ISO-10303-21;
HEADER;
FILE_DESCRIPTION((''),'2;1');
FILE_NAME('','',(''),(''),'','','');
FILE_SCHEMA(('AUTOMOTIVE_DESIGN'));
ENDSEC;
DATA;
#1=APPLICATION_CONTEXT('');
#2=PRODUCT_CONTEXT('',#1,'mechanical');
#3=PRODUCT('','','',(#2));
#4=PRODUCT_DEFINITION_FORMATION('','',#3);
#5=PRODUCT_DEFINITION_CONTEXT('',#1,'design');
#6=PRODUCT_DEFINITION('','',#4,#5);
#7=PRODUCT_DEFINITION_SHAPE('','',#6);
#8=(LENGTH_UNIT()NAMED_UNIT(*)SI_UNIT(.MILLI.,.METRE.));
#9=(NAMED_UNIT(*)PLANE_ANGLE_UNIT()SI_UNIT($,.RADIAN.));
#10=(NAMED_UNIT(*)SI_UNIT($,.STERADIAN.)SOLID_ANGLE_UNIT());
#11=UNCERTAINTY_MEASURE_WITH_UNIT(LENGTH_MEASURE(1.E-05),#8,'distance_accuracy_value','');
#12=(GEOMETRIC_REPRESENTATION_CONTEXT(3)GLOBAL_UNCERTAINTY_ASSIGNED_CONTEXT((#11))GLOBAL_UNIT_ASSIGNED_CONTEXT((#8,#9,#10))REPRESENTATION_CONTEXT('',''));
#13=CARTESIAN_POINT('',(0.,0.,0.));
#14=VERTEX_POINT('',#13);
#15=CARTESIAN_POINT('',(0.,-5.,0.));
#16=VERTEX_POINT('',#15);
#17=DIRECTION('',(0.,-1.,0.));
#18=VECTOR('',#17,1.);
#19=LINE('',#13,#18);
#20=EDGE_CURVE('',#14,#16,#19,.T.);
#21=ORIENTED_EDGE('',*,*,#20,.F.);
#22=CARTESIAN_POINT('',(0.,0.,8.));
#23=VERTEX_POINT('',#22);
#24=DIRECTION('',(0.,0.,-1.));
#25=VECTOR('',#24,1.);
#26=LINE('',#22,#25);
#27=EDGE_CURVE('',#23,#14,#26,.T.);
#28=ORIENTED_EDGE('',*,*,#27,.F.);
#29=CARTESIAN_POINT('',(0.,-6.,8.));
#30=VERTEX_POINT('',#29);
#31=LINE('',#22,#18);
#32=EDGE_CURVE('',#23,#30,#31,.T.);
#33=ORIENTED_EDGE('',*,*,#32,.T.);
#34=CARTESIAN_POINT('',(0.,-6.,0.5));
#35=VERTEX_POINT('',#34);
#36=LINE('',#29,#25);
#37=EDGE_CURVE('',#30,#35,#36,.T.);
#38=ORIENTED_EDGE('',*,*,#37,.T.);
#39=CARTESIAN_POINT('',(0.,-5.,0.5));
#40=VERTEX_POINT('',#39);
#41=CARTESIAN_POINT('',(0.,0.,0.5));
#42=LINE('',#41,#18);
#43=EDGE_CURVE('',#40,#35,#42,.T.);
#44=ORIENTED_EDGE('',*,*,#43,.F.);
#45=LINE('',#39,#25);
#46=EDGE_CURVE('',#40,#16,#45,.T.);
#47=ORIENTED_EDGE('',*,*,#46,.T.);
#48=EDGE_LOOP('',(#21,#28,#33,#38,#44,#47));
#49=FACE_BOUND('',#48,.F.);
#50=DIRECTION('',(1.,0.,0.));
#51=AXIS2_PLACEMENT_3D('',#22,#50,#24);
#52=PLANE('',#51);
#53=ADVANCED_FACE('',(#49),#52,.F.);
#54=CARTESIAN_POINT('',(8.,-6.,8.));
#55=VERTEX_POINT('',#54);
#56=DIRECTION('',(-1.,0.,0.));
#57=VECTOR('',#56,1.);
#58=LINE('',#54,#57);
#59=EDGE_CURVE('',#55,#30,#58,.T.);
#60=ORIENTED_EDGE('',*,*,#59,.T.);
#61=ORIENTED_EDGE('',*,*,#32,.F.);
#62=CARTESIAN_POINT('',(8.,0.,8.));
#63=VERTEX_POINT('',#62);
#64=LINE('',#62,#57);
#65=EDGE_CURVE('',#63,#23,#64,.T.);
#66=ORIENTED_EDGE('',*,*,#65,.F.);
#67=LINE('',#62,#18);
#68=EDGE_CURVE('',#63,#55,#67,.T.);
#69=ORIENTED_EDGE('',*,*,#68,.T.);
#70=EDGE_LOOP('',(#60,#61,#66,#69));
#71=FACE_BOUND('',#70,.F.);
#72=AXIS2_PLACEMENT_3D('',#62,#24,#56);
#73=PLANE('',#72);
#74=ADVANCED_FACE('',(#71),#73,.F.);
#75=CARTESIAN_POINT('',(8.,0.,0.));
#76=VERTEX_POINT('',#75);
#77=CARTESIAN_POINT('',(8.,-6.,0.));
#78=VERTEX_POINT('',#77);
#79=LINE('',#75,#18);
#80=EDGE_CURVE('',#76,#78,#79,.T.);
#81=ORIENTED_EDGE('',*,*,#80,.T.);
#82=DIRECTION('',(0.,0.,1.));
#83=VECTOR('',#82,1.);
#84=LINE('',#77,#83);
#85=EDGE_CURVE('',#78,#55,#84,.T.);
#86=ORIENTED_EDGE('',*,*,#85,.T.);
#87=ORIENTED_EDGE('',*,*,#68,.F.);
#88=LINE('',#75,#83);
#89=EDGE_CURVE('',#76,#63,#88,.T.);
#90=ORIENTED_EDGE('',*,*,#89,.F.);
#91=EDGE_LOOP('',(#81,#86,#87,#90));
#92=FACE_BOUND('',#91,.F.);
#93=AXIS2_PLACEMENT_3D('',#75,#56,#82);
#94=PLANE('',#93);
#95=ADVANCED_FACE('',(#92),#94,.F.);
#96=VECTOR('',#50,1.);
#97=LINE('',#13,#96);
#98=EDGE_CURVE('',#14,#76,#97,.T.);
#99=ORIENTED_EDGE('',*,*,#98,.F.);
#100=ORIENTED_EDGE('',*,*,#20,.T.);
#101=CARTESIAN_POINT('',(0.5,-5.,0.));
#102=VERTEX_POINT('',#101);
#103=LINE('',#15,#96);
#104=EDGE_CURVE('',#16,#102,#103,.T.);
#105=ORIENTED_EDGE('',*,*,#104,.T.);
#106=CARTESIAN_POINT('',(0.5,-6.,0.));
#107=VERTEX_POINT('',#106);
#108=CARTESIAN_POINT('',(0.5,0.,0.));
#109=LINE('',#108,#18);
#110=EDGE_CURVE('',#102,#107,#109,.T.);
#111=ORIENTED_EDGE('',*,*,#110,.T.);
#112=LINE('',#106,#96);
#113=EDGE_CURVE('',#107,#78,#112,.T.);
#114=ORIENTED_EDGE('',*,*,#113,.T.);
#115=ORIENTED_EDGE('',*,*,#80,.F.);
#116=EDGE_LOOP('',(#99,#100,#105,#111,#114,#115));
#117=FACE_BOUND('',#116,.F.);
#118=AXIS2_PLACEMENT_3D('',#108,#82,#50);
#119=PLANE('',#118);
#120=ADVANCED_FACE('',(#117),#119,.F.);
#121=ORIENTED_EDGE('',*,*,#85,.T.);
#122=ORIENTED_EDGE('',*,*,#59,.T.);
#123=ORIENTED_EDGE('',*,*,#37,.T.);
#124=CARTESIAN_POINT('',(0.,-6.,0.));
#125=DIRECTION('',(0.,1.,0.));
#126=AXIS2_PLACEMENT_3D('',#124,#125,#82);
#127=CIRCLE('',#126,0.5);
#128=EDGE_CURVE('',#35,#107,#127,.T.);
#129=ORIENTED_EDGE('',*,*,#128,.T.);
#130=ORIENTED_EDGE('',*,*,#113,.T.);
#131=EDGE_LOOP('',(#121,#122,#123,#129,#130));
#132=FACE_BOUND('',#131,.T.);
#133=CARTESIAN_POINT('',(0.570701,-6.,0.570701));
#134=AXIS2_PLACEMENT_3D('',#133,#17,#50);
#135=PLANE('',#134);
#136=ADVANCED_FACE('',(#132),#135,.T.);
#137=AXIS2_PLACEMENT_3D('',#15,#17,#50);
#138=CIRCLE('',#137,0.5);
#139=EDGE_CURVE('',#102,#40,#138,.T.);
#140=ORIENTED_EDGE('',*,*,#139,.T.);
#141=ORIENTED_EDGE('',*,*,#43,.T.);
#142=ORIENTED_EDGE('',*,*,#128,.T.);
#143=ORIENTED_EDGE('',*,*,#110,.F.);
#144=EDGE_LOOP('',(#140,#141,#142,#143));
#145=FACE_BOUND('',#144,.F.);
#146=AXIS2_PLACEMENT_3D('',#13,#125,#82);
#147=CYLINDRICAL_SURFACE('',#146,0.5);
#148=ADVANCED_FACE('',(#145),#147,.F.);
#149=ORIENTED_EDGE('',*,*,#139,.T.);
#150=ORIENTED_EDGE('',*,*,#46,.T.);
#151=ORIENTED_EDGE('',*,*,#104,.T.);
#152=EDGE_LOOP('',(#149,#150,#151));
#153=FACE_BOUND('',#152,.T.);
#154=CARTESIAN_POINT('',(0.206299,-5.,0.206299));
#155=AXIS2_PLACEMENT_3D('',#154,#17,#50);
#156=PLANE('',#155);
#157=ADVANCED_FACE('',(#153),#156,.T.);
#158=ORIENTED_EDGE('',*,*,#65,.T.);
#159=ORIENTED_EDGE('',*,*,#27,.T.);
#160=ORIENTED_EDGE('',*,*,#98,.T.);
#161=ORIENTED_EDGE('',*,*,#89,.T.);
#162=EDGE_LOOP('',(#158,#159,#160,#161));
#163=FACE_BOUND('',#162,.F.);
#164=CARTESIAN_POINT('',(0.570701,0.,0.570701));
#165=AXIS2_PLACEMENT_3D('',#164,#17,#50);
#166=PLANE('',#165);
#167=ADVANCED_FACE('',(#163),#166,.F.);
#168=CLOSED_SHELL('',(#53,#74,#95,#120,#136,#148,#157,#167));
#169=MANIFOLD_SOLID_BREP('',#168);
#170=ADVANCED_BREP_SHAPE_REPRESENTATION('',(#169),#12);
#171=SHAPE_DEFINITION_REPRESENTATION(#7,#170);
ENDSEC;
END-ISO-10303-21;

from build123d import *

# Parameters (mm, degrees)
F3_DEPTH = 5
F4_DEPTH = 6


with BuildPart() as f3:
    # F2 (on Front) → F3 (new body)
    with BuildSketch(Plane.XZ):
        with BuildLine():
            Line((0, 0.5), (0, 0))
            Line((0, 0), (0.5, 0))
            ThreePointArc((0.5, 0), (0.3535533906, 0.3535533906), (0, 0.5))
        make_face()
    extrude(amount=F3_DEPTH)

    # F2 (on Front) → F4 (join)
    with BuildSketch(Plane.XZ):
        with BuildLine():
            ThreePointArc((0, 0.5), (0.3535533906, 0.3535533906), (0.5, 0))
            Line((0.5, 0), (1.25, 0))
            ThreePointArc((1.25, 0), (0.8838834765, 0.8838834765), (0, 1.25))
            Line((0, 1.25), (0, 0.5))
        make_face()
        with BuildLine():
            ThreePointArc((0, 1.25), (0.8838834765, 0.8838834765), (1.25, 0))
            Line((1.25, 0), (5, 0))
            ThreePointArc((5, 0), (3.5355339059, 3.5355339059), (0, 5))
            Line((0, 5), (0, 1.25))
        make_face()
        with BuildLine():
            ThreePointArc((0, 5), (3.5355339059, 3.5355339059), (5, 0))
            Line((5, 0), (8, 0))
            Line((8, 0), (8, 8))
            Line((8, 8), (0, 8))
            Line((0, 8), (0, 5))
        make_face()
    extrude(amount=F4_DEPTH)


solid = f3.part
